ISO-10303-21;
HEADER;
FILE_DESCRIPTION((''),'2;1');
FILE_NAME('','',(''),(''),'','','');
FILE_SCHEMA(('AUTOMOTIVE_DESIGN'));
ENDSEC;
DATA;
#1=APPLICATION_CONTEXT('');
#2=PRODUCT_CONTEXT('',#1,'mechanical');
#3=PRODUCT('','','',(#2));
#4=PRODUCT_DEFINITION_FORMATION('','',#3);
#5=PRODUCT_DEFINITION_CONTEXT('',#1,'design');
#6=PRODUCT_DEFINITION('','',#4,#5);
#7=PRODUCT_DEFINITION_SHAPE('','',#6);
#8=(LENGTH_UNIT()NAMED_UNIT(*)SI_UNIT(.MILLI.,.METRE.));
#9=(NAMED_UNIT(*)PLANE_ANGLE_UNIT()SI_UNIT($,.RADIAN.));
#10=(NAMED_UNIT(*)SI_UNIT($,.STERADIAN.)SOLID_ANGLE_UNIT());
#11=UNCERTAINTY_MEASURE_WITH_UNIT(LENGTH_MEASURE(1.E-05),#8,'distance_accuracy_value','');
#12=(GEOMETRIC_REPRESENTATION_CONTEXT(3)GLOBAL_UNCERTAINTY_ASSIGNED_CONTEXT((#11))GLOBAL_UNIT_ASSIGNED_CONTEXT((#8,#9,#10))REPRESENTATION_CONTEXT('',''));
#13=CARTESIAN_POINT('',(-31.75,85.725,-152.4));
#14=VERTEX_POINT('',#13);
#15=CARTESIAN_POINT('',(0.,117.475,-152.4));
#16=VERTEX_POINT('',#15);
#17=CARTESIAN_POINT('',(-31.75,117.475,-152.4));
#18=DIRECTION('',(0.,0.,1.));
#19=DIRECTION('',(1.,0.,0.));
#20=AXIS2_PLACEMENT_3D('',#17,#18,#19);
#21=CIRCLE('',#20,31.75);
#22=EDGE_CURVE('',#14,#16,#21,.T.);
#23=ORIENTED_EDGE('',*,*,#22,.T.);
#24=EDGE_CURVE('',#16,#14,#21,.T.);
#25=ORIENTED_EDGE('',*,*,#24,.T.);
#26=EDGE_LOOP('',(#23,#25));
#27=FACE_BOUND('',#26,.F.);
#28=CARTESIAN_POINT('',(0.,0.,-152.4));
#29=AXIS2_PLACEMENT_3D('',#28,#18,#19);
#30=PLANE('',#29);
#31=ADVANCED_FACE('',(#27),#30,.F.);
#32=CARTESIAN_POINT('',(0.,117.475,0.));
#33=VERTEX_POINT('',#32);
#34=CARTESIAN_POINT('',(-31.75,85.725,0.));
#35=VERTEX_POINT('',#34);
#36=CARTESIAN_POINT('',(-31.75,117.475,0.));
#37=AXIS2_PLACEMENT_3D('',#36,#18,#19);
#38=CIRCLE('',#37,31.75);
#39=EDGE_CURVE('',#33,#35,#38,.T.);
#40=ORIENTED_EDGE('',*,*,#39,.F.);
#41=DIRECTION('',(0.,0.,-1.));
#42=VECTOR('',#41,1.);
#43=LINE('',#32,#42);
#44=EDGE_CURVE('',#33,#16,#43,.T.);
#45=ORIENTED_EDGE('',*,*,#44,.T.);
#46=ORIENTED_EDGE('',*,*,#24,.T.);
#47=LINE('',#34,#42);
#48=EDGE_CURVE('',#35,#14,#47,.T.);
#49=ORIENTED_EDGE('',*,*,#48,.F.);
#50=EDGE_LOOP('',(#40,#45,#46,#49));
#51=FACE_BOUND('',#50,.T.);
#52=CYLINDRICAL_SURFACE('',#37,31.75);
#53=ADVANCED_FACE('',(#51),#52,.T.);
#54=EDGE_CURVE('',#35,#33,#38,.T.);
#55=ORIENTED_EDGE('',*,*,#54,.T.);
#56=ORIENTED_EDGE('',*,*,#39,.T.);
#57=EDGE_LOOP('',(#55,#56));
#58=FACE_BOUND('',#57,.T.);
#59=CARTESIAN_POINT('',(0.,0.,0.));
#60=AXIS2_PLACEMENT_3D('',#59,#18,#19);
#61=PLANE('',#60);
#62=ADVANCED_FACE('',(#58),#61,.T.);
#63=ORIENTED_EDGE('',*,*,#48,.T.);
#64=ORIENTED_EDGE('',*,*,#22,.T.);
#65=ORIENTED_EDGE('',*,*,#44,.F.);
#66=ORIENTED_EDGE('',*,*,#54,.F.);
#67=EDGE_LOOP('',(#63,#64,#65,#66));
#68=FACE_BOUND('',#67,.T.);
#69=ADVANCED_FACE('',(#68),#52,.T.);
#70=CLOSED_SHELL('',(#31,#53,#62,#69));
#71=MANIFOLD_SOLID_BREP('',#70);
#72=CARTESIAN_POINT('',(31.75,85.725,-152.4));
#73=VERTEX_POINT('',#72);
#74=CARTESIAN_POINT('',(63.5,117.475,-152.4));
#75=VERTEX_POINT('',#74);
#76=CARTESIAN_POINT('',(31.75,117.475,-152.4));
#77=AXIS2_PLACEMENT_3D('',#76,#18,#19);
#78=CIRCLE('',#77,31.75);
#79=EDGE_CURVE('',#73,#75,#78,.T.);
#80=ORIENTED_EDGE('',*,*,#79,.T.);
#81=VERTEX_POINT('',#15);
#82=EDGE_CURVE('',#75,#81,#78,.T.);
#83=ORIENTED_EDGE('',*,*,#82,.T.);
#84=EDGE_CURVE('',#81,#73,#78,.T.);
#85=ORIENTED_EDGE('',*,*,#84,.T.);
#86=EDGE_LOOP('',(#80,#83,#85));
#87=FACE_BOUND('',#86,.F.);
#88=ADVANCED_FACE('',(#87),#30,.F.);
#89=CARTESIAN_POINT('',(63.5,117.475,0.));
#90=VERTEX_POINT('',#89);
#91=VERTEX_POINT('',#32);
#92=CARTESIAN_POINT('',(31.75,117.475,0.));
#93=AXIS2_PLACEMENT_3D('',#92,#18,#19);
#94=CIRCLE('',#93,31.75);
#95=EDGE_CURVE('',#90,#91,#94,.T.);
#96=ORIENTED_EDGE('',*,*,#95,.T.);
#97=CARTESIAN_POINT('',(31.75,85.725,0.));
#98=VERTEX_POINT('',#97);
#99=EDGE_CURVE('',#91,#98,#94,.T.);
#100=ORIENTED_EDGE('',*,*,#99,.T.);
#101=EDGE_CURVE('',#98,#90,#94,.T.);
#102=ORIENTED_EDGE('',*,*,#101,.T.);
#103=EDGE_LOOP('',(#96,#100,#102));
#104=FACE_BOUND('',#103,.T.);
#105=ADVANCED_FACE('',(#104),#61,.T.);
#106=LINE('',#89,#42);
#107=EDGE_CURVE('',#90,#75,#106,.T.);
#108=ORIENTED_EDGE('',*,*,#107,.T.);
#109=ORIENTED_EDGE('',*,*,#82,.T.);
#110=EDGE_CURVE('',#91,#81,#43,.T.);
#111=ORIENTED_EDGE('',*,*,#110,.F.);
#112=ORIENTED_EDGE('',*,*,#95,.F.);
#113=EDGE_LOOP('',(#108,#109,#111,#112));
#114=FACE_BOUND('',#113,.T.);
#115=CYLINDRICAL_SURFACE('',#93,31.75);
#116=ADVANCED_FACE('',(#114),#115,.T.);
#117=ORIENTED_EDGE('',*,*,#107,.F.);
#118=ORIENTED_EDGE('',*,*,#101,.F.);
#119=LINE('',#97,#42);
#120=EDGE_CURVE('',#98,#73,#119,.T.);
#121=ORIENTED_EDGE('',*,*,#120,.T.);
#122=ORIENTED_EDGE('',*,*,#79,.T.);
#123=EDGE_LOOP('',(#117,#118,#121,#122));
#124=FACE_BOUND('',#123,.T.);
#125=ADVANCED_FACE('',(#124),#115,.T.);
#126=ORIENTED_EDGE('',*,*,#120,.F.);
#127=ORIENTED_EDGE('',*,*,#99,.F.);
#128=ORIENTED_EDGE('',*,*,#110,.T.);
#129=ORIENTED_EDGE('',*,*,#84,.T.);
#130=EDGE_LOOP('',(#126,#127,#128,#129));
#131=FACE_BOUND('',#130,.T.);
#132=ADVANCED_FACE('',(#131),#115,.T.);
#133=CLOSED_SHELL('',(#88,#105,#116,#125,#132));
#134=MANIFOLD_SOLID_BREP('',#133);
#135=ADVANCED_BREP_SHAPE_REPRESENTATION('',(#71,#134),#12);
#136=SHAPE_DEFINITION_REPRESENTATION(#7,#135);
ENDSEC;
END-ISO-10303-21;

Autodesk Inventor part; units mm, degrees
ref_plane "YZ Plane" through (0, 0, 0) normal (1, 0, 0) x (0, 1, 0)
ref_plane "XZ Plane" through (0, 0, 0) normal (0, 1, 0) x (-1, 0, 0)
ref_plane "XY Plane" through (0, 0, 0) normal (0, 0, 1) x (1, 0, 0)
sketch "Sketch1" plane through (0, 0, 0) normal (0, 0, 1) x (1, 0, 0)
  circle A0 centre (-31.75, 117.475) radius 31.75
  circle A1 centre (31.75, 117.475) radius 31.75
  line L0 (-63.5, 85.725) -> (63.5, 85.725) projected
  point P0 (0, 0)
  dimension "d0" = 63.5
  dimension "d1" = 63.5
  dimension "d2" = 63.5
  dimension "d3" = 31.75
  dimension "d4" = 31.75
extrude "Extrusion1" add sketch "Sketch1" against normal blind 152.4 contours A0 | A1
equation "\"d3\" = 0.5 * d0"
equation "\"d4\" = d3"
properties part number "Noodles"
